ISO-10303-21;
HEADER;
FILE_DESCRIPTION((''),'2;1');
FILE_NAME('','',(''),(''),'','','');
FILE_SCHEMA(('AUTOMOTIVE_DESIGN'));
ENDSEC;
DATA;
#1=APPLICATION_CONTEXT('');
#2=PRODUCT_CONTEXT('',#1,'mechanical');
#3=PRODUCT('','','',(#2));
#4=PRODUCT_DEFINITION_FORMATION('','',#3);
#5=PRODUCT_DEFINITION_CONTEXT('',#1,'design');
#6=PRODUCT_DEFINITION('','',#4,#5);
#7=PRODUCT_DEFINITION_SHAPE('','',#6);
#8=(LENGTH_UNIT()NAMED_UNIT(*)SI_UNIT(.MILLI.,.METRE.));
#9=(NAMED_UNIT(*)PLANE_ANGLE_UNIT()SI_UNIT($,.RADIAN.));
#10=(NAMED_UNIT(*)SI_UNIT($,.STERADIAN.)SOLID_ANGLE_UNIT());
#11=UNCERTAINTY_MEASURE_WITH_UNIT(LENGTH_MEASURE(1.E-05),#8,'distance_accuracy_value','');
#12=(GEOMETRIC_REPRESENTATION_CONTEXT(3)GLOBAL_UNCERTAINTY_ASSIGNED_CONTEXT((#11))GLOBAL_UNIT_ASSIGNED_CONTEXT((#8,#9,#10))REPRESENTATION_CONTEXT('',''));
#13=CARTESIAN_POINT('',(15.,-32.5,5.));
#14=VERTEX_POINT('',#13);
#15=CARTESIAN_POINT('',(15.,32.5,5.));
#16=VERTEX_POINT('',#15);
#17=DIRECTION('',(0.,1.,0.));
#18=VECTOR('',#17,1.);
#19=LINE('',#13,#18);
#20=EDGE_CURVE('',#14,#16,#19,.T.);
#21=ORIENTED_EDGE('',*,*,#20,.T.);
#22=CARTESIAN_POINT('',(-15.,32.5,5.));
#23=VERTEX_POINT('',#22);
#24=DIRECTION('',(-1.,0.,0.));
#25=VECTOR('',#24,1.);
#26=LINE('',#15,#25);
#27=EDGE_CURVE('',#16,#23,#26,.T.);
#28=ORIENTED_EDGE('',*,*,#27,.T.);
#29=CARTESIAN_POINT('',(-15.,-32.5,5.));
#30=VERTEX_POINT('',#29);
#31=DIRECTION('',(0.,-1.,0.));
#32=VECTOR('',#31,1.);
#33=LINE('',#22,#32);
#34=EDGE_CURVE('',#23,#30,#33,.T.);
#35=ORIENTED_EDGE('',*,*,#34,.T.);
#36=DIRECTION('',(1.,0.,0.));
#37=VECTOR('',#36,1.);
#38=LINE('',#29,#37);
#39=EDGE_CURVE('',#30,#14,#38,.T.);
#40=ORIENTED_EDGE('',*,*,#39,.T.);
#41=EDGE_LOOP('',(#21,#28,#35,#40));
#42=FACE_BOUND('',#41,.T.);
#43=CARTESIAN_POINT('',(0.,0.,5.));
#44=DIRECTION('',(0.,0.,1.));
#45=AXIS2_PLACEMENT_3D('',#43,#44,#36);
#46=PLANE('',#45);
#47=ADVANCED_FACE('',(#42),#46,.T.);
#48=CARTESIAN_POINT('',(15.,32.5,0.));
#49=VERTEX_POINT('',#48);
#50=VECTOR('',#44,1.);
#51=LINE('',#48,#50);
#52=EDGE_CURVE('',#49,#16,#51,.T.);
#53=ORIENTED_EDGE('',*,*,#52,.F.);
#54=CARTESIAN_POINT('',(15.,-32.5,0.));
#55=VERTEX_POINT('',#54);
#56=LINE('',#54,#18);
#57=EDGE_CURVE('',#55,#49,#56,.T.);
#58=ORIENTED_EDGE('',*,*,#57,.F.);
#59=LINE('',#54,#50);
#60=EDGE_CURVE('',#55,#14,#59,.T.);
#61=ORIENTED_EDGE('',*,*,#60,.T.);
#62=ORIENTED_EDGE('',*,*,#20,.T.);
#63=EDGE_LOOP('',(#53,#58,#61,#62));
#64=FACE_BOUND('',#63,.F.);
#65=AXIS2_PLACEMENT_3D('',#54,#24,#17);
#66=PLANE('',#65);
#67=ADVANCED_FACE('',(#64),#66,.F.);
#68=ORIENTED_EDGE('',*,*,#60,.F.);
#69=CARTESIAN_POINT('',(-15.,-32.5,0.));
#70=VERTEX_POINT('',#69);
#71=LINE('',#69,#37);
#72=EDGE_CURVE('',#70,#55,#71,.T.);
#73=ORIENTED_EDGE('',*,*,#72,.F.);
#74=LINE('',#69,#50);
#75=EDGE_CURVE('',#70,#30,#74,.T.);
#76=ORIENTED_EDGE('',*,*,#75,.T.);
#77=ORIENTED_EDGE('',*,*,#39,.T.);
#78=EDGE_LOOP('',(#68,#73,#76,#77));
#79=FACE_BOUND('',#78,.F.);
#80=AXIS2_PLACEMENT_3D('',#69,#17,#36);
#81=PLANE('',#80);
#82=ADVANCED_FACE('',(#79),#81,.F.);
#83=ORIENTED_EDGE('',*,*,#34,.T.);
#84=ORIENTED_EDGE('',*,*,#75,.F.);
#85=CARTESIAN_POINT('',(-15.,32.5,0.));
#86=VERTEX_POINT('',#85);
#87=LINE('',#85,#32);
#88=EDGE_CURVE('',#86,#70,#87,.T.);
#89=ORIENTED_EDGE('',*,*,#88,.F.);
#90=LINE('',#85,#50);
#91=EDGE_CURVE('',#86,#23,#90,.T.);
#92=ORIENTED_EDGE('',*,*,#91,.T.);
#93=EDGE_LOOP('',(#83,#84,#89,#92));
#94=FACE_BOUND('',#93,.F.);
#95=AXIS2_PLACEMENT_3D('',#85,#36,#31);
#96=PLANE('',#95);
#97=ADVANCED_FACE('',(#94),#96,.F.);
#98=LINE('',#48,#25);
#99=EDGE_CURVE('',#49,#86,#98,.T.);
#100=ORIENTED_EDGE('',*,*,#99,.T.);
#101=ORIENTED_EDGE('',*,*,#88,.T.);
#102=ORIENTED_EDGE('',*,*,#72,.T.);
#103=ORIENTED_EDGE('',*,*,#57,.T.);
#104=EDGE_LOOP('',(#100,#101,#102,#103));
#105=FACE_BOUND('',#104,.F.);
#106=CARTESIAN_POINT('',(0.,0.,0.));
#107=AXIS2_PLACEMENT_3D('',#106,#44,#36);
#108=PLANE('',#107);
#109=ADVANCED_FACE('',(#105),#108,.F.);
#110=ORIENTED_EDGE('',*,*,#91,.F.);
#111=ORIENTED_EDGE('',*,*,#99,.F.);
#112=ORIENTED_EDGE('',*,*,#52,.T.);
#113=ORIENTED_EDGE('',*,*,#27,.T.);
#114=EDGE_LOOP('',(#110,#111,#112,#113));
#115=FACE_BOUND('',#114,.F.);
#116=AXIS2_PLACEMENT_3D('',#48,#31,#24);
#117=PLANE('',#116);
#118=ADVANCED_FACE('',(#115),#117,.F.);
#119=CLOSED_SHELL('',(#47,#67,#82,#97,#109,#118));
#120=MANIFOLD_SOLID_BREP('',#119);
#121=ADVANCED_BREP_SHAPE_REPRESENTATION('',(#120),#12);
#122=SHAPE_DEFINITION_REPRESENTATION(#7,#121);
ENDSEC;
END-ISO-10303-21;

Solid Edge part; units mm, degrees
sketch "Sketch1" plane through (0, 0, 0) normal (0, 0, 1) x (1, 0, 0)
  line L0 (-15, -32.5) -> (15, -32.5)
  line L1 (15, -32.5) -> (15, 32.5)
  line L2 (15, 32.5) -> (-15, 32.5)
  line L3 (-15, 32.5) -> (-15, -32.5)
  dimension "D1" = 65
  dimension "D2" = 30
extrude "Protrusion1" add sketch "Sketch1" along normal blind 5
